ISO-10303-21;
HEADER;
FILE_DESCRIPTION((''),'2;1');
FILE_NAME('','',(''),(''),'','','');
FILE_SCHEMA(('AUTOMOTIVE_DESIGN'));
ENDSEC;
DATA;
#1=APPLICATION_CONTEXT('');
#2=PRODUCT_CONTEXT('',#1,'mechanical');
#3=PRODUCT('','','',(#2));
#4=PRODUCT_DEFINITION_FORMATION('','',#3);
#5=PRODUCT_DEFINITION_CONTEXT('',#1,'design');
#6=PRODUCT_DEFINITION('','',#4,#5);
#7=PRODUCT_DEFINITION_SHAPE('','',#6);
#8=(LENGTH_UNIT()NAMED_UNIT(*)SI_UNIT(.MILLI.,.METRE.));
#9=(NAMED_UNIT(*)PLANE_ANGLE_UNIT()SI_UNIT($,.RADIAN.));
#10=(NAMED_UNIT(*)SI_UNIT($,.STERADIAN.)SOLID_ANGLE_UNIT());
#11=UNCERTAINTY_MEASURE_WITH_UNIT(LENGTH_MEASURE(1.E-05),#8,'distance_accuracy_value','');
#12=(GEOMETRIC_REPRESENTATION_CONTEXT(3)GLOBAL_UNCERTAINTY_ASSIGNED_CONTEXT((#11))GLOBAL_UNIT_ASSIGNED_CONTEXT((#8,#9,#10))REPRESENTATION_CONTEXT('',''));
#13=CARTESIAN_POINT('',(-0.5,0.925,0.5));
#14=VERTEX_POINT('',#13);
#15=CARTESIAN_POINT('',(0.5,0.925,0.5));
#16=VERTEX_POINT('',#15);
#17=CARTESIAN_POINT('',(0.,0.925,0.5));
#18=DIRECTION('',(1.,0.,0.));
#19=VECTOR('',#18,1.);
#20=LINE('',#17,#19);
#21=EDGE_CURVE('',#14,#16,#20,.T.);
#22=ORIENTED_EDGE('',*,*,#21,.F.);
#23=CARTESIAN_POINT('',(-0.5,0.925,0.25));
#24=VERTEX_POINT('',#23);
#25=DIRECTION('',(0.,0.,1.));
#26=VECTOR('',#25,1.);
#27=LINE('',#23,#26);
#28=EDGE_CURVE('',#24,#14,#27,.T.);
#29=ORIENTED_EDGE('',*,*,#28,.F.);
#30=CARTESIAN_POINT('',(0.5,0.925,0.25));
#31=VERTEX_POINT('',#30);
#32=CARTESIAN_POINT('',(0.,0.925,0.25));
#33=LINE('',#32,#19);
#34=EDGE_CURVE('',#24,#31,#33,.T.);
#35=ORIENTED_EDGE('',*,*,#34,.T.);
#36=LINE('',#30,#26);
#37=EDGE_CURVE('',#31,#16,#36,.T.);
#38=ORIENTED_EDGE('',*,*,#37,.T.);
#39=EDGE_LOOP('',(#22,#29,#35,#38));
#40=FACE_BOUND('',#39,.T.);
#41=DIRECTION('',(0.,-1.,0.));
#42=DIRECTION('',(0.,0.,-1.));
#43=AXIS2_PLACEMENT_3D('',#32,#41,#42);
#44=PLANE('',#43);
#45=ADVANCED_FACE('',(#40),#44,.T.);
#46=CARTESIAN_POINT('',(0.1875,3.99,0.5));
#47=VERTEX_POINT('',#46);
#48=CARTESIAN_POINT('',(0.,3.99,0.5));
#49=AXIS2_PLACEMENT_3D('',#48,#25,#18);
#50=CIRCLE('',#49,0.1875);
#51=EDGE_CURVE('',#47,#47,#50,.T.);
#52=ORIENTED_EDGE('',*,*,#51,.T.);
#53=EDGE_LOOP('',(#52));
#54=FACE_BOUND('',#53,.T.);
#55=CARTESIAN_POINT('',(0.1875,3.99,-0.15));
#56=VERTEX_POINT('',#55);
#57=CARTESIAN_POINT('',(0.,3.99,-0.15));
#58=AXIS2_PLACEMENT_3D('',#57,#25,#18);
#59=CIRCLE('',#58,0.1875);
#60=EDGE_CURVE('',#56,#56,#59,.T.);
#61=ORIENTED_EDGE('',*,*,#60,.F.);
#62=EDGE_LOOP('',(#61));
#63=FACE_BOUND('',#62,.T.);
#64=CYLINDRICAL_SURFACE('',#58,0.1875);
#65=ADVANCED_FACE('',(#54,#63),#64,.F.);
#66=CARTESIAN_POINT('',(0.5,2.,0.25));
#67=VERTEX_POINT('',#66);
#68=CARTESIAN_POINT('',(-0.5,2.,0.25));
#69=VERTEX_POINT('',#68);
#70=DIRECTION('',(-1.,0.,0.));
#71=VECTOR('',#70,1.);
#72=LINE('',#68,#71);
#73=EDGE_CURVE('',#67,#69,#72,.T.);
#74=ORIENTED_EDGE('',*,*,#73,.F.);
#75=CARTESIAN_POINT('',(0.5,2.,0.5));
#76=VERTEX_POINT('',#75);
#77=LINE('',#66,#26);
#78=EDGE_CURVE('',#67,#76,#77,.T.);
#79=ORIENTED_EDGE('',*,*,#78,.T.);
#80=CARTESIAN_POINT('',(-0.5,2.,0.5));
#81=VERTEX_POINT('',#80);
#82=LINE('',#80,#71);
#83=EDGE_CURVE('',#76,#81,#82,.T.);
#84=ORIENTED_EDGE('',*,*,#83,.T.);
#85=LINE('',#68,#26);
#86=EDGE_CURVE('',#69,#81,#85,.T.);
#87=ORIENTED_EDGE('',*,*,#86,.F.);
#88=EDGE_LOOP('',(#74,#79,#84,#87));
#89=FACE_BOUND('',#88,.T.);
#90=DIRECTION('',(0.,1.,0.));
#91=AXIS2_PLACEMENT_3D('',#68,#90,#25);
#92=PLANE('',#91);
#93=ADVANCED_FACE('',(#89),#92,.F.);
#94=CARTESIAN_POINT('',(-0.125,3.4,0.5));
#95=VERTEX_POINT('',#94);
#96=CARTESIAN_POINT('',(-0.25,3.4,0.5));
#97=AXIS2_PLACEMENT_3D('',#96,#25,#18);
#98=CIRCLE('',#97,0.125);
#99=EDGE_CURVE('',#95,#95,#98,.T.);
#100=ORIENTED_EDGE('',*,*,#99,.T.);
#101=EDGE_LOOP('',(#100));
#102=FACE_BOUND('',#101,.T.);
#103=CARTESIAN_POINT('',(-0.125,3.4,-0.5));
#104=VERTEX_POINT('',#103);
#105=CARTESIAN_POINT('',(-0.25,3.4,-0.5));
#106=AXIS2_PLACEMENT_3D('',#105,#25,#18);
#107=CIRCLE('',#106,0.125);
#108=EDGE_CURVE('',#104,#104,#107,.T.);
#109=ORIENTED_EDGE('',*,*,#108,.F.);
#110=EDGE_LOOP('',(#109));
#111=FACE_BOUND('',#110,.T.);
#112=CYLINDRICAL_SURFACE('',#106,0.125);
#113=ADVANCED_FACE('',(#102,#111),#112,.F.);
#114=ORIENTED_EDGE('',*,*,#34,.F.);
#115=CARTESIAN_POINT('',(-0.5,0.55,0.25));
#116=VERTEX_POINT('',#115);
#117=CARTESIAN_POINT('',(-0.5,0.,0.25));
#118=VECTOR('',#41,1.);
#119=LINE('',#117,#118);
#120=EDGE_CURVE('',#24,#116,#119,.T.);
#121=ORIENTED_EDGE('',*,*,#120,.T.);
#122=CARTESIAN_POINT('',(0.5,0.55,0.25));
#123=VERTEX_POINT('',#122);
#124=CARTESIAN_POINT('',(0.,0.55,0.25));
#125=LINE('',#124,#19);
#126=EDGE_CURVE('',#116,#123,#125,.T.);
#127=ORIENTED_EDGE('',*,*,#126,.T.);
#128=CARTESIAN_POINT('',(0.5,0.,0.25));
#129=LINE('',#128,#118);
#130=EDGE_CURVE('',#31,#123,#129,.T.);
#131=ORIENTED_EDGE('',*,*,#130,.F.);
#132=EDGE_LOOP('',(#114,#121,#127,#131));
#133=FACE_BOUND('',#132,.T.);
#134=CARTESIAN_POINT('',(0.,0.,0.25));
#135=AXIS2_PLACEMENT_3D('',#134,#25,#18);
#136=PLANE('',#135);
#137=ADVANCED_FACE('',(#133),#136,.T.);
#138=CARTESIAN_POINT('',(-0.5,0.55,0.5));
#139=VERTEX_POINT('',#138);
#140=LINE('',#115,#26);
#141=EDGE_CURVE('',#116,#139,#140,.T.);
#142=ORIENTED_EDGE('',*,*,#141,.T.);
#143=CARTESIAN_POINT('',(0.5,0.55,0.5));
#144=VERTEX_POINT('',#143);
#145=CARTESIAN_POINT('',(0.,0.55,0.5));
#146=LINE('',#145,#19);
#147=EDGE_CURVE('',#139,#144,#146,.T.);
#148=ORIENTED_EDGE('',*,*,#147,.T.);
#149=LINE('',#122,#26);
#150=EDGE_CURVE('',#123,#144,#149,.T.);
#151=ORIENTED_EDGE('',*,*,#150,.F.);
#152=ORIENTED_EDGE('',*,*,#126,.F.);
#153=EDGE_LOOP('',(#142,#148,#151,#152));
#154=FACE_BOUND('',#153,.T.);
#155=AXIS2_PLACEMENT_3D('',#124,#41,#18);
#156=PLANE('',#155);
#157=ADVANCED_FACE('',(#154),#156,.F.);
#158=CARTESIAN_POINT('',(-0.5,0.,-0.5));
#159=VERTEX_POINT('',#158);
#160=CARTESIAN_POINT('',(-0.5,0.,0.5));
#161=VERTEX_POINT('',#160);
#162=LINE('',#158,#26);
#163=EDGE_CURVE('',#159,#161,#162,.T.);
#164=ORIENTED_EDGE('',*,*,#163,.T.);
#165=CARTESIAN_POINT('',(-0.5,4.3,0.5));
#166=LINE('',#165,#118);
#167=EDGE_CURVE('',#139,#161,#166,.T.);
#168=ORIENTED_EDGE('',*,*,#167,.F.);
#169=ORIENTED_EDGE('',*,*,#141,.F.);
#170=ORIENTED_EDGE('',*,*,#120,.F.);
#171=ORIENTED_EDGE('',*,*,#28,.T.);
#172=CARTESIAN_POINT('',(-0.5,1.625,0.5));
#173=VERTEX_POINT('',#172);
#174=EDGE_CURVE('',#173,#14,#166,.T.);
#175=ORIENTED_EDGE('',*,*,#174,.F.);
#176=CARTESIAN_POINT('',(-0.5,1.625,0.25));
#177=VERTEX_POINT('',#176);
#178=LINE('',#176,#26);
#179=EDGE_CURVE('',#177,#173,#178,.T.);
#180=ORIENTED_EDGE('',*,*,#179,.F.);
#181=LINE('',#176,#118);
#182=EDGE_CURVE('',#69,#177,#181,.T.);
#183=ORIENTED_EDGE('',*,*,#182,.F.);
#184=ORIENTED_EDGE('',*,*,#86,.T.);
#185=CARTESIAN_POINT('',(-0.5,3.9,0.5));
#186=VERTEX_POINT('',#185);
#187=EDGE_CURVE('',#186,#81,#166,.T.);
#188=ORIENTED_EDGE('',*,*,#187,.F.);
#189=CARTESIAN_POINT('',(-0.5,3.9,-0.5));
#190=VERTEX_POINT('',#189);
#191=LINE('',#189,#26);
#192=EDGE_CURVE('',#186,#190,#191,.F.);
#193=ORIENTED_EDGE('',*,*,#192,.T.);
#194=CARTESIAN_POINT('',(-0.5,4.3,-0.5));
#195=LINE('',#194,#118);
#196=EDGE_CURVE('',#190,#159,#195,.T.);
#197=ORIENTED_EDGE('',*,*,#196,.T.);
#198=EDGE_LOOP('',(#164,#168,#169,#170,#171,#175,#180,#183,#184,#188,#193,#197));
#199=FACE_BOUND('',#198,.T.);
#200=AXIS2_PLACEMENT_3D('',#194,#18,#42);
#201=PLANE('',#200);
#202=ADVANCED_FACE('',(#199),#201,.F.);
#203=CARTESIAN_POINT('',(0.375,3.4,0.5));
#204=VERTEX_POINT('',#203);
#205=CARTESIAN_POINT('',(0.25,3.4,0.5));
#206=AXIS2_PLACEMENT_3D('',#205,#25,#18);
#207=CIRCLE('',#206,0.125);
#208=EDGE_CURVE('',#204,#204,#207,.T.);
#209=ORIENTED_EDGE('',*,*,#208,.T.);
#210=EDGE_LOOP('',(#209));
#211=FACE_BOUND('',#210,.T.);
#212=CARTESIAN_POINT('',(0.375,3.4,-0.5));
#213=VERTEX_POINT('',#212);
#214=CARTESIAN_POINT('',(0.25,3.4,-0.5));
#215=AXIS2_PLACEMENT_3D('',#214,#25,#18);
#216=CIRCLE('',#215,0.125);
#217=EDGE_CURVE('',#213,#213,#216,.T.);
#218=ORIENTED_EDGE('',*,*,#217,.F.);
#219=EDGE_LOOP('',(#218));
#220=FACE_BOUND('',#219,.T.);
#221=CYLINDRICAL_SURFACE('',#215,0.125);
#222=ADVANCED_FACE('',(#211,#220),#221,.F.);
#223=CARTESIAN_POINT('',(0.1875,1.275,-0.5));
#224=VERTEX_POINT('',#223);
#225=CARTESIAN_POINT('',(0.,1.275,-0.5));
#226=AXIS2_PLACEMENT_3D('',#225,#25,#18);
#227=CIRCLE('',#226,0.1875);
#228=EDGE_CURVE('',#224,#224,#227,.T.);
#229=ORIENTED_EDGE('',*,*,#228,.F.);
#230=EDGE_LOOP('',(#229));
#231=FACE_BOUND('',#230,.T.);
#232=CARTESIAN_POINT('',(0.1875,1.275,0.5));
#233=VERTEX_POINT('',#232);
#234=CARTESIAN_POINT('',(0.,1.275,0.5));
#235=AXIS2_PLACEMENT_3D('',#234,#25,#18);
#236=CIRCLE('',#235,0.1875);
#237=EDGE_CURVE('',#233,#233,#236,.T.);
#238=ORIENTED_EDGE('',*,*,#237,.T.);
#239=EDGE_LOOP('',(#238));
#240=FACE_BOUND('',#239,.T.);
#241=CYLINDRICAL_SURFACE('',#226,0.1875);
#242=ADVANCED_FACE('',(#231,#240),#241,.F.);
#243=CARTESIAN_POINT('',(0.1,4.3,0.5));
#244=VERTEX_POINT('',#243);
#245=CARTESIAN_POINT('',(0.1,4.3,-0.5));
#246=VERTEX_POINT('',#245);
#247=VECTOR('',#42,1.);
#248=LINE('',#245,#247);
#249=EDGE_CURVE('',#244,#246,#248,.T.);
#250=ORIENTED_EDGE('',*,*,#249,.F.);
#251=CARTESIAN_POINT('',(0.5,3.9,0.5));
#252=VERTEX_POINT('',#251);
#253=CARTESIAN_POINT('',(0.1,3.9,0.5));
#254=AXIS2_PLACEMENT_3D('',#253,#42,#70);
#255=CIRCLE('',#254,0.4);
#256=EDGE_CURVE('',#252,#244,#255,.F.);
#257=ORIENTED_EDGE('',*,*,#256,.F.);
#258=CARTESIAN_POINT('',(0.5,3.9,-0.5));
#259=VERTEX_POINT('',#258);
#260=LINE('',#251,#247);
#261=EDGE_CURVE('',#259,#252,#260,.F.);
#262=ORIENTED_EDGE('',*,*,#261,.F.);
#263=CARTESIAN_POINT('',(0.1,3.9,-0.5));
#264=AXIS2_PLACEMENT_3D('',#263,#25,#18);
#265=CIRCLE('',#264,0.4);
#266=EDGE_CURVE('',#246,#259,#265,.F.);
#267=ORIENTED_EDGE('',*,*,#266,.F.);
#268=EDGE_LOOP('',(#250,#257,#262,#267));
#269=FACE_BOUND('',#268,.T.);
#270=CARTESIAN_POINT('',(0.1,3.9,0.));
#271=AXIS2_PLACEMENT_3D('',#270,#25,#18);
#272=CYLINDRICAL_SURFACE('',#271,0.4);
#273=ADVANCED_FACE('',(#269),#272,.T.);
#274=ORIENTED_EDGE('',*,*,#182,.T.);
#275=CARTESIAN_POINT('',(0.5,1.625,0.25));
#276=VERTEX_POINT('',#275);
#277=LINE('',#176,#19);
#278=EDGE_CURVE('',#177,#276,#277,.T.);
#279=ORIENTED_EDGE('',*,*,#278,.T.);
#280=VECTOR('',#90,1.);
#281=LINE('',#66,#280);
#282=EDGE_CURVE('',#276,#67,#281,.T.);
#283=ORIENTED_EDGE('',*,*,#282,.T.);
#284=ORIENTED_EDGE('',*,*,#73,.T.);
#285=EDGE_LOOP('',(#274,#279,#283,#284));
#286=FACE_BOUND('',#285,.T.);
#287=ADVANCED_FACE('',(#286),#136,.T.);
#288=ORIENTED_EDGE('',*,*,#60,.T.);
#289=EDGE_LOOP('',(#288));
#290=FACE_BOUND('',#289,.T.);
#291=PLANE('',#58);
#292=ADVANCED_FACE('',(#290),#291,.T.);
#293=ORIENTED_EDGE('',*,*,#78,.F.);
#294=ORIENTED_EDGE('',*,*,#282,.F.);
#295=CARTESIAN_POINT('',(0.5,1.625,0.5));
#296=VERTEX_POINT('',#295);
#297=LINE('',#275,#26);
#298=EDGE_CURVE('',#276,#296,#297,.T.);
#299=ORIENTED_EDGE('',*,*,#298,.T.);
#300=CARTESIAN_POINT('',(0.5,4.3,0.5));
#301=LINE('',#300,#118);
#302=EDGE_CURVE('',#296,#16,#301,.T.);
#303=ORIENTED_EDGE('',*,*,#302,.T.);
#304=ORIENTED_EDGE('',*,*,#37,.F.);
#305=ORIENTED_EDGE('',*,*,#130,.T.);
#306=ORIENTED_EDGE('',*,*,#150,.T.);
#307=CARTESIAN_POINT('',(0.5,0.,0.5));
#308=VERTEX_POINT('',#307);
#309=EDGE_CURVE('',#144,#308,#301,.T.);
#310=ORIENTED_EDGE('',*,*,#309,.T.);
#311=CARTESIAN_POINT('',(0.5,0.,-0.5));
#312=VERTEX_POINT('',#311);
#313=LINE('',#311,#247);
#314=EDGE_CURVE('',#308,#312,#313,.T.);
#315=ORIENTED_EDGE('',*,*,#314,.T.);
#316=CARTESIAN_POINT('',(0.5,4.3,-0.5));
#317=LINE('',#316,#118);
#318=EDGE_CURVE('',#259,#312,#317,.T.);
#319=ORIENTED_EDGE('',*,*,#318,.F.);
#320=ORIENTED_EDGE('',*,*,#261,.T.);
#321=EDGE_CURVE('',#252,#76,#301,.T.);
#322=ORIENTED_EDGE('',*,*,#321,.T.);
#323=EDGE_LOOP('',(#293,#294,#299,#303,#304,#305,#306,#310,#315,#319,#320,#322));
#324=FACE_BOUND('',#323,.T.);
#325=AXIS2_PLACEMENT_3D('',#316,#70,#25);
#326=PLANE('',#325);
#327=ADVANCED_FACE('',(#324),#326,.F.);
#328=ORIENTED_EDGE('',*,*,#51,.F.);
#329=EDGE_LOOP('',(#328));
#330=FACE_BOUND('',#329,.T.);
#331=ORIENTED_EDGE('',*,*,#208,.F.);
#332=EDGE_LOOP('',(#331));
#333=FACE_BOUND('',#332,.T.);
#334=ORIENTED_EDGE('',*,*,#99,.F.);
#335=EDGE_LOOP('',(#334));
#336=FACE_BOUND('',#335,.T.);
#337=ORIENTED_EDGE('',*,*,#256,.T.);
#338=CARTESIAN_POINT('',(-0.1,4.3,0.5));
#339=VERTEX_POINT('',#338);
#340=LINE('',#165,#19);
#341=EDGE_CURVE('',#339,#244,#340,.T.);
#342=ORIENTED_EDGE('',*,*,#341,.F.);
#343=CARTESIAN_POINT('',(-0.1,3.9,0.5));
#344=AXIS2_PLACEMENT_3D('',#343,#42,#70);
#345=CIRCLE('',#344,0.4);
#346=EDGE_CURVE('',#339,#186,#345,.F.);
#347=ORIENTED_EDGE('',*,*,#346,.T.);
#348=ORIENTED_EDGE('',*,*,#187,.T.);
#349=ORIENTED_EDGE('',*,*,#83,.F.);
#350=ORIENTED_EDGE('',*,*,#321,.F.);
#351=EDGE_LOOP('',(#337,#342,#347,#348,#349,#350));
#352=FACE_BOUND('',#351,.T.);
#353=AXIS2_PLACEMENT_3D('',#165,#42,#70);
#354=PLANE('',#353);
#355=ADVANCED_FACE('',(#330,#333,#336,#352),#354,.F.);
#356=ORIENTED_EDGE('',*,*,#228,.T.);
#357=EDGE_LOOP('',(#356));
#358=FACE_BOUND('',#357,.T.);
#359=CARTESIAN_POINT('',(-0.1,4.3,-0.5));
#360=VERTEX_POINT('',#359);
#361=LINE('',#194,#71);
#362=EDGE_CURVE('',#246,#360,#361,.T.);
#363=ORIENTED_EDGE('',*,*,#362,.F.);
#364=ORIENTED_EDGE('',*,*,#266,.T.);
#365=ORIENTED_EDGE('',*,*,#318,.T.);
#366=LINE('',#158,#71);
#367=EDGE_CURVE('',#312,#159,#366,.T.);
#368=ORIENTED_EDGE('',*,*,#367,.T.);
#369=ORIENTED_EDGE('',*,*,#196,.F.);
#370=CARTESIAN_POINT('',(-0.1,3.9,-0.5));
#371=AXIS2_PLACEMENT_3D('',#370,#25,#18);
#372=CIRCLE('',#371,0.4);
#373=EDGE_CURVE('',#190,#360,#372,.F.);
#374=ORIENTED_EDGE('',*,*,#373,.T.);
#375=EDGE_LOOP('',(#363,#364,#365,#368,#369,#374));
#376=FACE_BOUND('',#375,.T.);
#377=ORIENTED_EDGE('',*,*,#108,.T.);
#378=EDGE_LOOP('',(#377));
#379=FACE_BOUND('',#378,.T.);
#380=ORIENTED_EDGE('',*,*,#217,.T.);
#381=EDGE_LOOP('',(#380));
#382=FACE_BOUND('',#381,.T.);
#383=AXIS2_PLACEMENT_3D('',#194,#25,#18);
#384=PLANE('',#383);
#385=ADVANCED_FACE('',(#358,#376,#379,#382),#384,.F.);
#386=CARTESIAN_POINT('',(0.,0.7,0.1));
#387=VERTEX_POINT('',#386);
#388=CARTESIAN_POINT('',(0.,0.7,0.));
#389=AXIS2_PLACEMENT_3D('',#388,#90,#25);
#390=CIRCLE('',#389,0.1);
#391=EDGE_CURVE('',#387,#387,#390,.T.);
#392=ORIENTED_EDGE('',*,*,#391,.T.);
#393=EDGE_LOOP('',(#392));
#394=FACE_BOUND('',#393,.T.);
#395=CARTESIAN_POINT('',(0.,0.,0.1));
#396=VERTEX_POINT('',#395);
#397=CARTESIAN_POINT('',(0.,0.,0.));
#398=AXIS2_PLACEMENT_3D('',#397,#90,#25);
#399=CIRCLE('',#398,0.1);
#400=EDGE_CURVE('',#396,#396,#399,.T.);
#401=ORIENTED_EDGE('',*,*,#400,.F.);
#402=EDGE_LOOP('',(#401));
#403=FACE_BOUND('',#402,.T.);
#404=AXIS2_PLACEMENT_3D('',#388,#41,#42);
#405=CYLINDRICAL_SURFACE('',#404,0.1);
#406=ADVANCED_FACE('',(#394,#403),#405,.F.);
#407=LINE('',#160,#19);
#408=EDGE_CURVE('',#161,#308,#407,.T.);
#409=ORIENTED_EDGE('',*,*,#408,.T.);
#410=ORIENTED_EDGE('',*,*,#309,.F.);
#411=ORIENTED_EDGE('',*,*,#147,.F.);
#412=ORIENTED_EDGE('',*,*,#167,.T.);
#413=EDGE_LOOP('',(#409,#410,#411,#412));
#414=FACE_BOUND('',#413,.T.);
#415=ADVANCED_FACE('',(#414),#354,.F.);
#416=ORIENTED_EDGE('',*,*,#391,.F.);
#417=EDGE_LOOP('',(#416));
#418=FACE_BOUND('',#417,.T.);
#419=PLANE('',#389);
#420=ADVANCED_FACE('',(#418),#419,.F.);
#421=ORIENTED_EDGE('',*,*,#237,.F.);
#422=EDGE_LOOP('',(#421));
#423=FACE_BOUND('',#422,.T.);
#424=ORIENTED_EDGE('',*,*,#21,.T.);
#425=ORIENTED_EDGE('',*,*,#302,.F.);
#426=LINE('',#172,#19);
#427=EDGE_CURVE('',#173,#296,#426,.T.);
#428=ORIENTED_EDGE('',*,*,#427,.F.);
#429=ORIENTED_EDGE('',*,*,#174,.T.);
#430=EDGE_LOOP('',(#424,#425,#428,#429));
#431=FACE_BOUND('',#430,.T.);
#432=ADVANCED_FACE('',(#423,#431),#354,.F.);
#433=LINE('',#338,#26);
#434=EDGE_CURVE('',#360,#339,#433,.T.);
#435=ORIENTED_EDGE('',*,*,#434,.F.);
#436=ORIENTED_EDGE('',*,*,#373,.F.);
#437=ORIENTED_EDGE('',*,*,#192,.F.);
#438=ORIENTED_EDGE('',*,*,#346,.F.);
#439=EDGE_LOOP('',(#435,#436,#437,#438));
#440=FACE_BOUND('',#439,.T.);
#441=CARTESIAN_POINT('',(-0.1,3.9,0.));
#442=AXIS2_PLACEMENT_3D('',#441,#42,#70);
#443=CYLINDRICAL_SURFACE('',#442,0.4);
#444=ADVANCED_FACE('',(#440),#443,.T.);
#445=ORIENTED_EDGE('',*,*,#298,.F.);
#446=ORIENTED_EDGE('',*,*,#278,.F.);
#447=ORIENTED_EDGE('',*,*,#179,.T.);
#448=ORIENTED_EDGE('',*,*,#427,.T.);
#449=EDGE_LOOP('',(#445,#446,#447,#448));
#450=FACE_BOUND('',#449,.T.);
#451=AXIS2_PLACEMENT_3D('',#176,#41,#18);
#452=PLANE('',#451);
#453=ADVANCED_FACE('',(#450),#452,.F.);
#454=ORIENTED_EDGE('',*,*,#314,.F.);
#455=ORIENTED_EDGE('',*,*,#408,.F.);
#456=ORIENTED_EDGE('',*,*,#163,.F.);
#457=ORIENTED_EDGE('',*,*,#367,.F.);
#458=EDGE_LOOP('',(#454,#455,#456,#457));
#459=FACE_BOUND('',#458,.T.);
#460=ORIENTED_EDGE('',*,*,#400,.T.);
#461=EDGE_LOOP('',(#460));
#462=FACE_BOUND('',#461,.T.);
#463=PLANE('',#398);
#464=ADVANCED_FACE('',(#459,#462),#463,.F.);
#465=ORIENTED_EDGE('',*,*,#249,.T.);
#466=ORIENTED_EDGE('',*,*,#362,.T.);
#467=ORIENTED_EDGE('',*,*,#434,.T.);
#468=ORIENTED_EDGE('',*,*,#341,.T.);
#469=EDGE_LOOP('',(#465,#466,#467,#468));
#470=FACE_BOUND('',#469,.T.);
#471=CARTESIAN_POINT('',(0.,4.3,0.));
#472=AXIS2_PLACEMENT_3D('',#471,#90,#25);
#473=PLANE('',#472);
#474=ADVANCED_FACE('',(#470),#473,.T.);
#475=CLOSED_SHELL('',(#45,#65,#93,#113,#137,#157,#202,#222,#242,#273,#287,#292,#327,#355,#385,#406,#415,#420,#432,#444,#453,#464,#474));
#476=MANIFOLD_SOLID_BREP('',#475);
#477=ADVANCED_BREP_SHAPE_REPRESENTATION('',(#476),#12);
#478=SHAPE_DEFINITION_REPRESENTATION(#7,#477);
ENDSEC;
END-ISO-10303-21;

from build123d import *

# Parameters (mm, degrees)
SKETCH1_W           = 1
SKETCH1_H           = 1
BOSS_EXTRUDE1_DEPTH = 4.3
FILLET1_R           = 0.4
FILLET2_R           = 0.4
SKETCH2_R           = 0.1
CUT_EXTRUDE1_DEPTH  = 0.7
SKETCH6_W           = 1
SKETCH6_H           = 0.375
CUT_EXTRUDE2_DEPTH  = 0.25
SKETCH8_W           = 1
SKETCH8_H           = 0.375
CUT_EXTRUDE3_DEPTH  = 0.25
SKETCH9_R           = 0.1875
CUT_EXTRUDE4_DEPTH  = 1
SKETCH10_R          = 0.1875
CUT_EXTRUDE5_DEPTH  = 0.65
SKETCH11_R          = 0.125
CUT_EXTRUDE6_DEPTH  = 1


with BuildPart() as part:
    # Sketch1 → Boss-Extrude1 (new body)
    with BuildSketch(Plane(origin=(0, 0, 0), x_dir=(1, 0, 0), z_dir=(0, 1, 0))):
        Rectangle(SKETCH1_W, SKETCH1_H)
    extrude(amount=BOSS_EXTRUDE1_DEPTH)

    # Fillet1
    fillet1_edges = [part.edges().sort_by_distance(p)[0] for p in [
        (0.5, 4.3, 0),
    ]]
    fillet(fillet1_edges, radius=FILLET1_R)

    # Fillet2
    fillet2_edges = [part.edges().sort_by_distance(p)[0] for p in [
        (-0.5, 4.3, 0),
    ]]
    fillet(fillet2_edges, radius=FILLET2_R)

    # Sketch2 → Cut-Extrude1 (cut)
    with BuildSketch(Plane(origin=(0, 0, 0), x_dir=(1, 0, 0), z_dir=(0, 1, 0))):
        with Locations(Location((0, 0, 0), (0, 0, 270))):
            Circle(SKETCH2_R)
    extrude(amount=CUT_EXTRUDE1_DEPTH, mode=Mode.SUBTRACT)

    # Sketch6 → Cut-Extrude2 (cut)
    with BuildSketch(Plane.XY.offset(0.5)):
        with Locations((0, 0.7375)):
            Rectangle(SKETCH6_W, SKETCH6_H)
    extrude(amount=-CUT_EXTRUDE2_DEPTH, mode=Mode.SUBTRACT)

    # Sketch8 → Cut-Extrude3 (cut)
    with BuildSketch(Plane.XY.offset(0.5)):
        with Locations((0, 1.8125)):
            Rectangle(SKETCH8_W, SKETCH8_H)
    extrude(amount=-CUT_EXTRUDE3_DEPTH, mode=Mode.SUBTRACT)

    # Sketch9 → Cut-Extrude4 (cut)
    with BuildSketch(Plane.XY.offset(0.5)):
        with Locations((0, 1.275)):
            Circle(SKETCH9_R)
    extrude(amount=-CUT_EXTRUDE4_DEPTH, mode=Mode.SUBTRACT)

    # Sketch10 → Cut-Extrude5 (cut)
    with BuildSketch(Plane.XY.offset(0.5)):
        with Locations((0, 3.99)):
            Circle(SKETCH10_R)
    extrude(amount=-CUT_EXTRUDE5_DEPTH, mode=Mode.SUBTRACT)

    # Sketch11 → Cut-Extrude6 (cut)
    with BuildSketch(Plane.XY.offset(0.5)):
        with Locations((0.25, 3.4)):
            Circle(SKETCH11_R)
        with Locations((-0.25, 3.4)):
            Circle(SKETCH11_R)
    extrude(amount=-CUT_EXTRUDE6_DEPTH, mode=Mode.SUBTRACT)


solid = part.part
